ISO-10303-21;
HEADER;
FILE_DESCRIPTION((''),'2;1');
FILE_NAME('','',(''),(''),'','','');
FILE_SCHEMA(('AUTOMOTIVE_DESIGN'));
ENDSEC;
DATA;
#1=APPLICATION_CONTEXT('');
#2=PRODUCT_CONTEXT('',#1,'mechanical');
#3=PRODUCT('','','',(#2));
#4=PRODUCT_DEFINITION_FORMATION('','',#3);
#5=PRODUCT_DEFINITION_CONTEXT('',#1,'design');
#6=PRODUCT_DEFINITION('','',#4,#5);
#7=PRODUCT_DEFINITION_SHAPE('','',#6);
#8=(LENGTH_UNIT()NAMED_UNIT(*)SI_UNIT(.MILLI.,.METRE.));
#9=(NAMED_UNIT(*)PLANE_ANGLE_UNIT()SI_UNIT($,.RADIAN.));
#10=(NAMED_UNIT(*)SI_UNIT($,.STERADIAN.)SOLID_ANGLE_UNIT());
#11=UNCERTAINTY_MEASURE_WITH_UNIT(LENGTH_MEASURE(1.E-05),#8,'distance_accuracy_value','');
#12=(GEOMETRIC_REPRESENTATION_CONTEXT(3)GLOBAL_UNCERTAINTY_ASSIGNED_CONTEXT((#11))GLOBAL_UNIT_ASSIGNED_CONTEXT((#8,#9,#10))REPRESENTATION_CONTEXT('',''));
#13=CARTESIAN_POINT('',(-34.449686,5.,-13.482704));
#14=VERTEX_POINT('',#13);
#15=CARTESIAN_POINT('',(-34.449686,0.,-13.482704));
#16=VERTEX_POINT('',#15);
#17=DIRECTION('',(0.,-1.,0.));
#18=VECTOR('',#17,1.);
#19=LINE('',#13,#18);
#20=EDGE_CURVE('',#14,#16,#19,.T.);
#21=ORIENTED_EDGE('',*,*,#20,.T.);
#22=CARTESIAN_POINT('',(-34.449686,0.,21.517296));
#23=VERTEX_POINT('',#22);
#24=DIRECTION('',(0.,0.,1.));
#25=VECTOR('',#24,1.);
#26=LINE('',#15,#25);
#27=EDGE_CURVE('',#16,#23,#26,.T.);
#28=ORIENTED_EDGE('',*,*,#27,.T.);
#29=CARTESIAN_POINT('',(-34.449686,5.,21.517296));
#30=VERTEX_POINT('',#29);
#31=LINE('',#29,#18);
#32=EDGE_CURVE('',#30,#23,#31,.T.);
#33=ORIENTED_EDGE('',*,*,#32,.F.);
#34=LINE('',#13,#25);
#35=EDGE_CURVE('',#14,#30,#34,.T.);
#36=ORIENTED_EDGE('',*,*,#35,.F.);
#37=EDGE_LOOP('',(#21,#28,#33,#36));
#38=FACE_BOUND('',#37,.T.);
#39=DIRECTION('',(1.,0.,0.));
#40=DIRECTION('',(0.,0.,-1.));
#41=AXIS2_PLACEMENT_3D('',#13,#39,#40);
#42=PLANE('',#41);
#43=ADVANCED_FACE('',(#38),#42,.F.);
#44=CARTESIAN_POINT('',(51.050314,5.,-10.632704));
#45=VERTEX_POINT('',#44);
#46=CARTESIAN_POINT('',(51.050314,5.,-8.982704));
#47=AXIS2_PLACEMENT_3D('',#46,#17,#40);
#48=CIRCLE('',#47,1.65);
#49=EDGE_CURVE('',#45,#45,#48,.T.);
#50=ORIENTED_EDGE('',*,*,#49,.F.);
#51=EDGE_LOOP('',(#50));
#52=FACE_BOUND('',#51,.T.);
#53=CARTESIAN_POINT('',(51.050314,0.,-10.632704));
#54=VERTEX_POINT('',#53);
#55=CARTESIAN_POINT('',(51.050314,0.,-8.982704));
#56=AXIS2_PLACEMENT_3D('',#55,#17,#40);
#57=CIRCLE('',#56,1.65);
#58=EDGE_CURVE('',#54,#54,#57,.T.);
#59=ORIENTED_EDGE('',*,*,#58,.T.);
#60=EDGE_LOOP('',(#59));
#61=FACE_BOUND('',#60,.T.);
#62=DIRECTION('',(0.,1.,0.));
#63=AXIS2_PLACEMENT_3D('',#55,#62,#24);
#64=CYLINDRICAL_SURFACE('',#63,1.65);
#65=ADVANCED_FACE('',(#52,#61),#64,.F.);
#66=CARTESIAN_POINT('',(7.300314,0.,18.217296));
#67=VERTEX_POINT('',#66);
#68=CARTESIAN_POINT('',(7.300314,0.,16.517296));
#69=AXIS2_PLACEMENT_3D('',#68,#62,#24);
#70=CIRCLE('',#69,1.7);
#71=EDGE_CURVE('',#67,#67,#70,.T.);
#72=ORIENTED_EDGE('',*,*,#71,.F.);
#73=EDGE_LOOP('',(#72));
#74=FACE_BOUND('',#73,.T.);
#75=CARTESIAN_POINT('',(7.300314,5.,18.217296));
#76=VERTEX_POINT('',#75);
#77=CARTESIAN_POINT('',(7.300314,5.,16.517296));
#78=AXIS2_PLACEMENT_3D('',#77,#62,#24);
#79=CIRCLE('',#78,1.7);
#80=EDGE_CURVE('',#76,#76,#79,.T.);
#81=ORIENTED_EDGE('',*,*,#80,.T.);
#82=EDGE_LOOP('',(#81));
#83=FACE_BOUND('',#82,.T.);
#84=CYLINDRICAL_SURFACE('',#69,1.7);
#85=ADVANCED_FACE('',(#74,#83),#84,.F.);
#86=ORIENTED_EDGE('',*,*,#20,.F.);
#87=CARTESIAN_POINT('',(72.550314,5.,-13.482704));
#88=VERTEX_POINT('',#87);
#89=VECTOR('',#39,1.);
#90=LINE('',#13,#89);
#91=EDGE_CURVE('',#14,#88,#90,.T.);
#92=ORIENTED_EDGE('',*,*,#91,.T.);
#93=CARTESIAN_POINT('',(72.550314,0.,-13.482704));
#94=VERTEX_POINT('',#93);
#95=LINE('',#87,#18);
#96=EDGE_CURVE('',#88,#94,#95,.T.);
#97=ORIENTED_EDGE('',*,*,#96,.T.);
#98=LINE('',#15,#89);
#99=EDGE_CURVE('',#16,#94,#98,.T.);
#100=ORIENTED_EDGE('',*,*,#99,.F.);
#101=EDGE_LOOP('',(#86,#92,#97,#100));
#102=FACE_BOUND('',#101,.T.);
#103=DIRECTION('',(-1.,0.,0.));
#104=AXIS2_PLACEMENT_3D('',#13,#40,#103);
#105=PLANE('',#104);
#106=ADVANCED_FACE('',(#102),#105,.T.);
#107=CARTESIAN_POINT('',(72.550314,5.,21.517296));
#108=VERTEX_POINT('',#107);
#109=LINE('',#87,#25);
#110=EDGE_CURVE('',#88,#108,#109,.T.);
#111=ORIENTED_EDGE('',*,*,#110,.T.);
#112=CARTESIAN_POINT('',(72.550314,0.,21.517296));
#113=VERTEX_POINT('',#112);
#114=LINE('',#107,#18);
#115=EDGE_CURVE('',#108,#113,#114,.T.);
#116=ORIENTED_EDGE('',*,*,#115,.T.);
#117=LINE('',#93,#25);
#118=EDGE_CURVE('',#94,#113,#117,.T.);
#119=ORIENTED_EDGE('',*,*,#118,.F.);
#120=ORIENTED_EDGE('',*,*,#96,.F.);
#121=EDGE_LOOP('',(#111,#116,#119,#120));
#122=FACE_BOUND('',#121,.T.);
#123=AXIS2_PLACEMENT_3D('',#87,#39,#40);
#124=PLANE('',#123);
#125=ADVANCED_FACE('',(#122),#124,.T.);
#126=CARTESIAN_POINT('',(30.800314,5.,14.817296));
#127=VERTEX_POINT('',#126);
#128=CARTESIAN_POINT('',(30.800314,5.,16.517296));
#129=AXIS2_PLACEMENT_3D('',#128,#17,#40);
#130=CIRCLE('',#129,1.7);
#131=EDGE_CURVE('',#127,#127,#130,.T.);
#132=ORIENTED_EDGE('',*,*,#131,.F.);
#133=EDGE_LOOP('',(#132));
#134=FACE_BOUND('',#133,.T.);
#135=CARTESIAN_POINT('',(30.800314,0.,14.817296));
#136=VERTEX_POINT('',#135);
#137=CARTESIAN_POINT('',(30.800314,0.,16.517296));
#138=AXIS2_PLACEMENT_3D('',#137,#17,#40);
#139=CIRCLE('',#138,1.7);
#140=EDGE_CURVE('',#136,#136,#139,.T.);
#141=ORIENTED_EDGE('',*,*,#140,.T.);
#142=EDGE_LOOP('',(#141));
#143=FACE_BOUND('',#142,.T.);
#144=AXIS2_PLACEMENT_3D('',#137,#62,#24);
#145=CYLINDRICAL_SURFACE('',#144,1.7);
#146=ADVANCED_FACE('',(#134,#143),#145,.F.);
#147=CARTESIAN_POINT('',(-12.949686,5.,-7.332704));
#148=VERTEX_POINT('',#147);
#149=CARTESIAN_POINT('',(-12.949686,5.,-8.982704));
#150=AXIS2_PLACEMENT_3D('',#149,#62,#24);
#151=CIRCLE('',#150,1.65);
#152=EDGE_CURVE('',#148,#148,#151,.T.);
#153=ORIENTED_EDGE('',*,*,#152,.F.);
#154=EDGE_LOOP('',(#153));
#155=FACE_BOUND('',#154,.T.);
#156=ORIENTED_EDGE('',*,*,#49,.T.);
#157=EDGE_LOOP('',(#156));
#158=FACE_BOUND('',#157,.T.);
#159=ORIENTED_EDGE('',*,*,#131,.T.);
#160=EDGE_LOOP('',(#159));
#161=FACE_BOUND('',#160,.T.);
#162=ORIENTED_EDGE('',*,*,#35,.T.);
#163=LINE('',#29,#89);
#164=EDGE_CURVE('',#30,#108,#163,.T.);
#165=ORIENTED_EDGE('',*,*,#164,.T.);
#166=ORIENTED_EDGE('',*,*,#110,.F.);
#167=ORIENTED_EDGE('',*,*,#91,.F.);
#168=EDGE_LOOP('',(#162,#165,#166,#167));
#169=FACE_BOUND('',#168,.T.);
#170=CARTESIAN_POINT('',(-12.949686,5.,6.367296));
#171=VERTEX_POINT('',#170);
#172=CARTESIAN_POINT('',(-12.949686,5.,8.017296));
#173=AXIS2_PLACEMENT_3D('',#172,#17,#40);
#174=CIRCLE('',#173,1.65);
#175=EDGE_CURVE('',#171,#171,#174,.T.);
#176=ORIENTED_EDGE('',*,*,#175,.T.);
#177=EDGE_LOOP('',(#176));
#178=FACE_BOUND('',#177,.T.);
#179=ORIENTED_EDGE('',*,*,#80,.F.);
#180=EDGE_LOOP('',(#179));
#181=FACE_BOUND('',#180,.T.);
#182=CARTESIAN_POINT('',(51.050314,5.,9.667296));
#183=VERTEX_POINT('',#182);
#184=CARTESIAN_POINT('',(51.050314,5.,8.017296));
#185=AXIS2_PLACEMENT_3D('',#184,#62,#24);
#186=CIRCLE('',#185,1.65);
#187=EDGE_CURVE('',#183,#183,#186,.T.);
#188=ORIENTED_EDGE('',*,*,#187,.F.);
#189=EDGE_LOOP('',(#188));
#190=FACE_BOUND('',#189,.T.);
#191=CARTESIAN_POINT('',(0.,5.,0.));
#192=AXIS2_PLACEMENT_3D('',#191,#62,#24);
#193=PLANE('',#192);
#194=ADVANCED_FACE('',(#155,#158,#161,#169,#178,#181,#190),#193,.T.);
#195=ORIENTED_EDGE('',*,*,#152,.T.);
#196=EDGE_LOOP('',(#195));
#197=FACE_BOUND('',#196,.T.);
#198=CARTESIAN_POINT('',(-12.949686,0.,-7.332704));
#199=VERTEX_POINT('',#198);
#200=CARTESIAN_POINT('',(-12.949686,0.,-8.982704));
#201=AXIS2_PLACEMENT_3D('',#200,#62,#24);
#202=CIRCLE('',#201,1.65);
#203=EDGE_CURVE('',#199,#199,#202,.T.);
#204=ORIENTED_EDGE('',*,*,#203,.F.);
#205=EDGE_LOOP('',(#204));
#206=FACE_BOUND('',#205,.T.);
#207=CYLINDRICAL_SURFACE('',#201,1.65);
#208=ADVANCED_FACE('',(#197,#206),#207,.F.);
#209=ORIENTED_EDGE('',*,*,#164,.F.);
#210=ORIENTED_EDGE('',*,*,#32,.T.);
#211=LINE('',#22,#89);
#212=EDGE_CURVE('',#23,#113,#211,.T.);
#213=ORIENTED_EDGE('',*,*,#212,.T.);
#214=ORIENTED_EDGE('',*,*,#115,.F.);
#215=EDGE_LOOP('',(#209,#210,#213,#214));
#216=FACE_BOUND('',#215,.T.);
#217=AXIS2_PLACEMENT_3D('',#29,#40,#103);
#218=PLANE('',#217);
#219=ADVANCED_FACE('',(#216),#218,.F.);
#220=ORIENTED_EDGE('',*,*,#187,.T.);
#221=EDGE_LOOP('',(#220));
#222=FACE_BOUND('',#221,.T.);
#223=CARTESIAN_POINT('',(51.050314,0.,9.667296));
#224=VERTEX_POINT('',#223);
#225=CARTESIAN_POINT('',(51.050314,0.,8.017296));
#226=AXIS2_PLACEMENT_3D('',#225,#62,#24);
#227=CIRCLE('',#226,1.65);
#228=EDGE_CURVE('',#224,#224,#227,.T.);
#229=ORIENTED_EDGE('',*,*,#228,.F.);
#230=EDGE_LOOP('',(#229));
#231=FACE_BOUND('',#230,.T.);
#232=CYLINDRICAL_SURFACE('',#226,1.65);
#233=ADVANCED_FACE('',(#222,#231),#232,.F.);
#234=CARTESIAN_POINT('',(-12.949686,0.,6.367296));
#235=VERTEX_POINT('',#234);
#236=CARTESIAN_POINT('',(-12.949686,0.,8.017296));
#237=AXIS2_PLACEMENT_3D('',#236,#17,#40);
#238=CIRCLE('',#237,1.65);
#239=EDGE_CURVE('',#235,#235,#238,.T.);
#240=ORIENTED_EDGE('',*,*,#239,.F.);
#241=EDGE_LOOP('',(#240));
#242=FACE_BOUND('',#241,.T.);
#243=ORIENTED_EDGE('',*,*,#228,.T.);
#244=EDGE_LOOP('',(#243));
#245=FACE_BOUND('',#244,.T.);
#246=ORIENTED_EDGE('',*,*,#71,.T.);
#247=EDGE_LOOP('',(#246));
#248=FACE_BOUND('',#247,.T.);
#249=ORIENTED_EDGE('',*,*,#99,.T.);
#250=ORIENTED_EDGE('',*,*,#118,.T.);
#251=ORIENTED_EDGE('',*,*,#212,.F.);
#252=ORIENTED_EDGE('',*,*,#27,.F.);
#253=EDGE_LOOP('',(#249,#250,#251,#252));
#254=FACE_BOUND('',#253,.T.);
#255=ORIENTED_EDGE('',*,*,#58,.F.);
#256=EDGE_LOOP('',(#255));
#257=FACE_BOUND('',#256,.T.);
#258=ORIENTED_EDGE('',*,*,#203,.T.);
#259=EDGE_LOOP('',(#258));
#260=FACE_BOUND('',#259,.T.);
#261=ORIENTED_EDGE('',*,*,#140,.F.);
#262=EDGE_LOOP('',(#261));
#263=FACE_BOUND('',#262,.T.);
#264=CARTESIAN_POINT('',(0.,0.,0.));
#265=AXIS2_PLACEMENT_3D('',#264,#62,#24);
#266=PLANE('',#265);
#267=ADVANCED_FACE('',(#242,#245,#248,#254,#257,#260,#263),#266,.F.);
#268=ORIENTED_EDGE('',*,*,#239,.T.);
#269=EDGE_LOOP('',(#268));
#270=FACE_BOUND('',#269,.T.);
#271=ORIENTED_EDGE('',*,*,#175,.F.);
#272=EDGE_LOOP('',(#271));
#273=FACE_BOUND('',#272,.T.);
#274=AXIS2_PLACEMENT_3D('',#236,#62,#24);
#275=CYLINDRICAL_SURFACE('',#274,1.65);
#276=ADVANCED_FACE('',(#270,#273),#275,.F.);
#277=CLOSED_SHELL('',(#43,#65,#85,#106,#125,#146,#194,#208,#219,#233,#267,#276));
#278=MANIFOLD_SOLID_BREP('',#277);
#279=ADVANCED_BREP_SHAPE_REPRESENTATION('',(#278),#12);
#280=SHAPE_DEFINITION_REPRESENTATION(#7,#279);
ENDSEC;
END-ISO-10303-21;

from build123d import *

# Parameters (mm, degrees)
SKETCH_1_W          = 107
SKETCH_1_H          = 35
EXTRUDE_1_DEPTH     = 5
SKETCH_2_R          = 1.7
SKETCH_2_R_2        = 1.65
CUT_EXTRUDE_1_DEPTH = 5


with BuildPart() as part:
    # 草图1 → 凸台-拉伸1 (new body)
    with BuildSketch(Plane(origin=(0, 0, 0), x_dir=(1, 0, 0), z_dir=(0, 1, 0))):
        with Locations((19.050314465, -4.017295597)):
            Rectangle(SKETCH_1_W, SKETCH_1_H)
    extrude(amount=EXTRUDE_1_DEPTH)

    # 草图2 → 切除-拉伸1 (cut)
    with BuildSketch(Plane(origin=(0, 5, 0), x_dir=(1, 0, 0), z_dir=(0, 1, 0))):
        with Locations(Location((7.300314465, -16.517295597, 0), (0, 0, 270))):
            Circle(SKETCH_2_R)
        with Locations(Location((-12.949685535, 8.982704403, 0), (0, 0, 270))):
            Circle(SKETCH_2_R_2)
        with Locations(Location((-12.949685535, -8.017295597, 0), (0, 0, 90))):
            Circle(SKETCH_2_R_2)
        with Locations(Location((30.800314465, -16.517295597, 0), (0, 0, 90))):
            Circle(SKETCH_2_R)
        with Locations(Location((51.050314465, -8.017295597, 0), (0, 0, 270))):
            Circle(SKETCH_2_R_2)
        with Locations(Location((51.050314465, 8.982704403, 0), (0, 0, 90))):
            Circle(SKETCH_2_R_2)
    extrude(amount=-CUT_EXTRUDE_1_DEPTH, mode=Mode.SUBTRACT)


solid = part.part
